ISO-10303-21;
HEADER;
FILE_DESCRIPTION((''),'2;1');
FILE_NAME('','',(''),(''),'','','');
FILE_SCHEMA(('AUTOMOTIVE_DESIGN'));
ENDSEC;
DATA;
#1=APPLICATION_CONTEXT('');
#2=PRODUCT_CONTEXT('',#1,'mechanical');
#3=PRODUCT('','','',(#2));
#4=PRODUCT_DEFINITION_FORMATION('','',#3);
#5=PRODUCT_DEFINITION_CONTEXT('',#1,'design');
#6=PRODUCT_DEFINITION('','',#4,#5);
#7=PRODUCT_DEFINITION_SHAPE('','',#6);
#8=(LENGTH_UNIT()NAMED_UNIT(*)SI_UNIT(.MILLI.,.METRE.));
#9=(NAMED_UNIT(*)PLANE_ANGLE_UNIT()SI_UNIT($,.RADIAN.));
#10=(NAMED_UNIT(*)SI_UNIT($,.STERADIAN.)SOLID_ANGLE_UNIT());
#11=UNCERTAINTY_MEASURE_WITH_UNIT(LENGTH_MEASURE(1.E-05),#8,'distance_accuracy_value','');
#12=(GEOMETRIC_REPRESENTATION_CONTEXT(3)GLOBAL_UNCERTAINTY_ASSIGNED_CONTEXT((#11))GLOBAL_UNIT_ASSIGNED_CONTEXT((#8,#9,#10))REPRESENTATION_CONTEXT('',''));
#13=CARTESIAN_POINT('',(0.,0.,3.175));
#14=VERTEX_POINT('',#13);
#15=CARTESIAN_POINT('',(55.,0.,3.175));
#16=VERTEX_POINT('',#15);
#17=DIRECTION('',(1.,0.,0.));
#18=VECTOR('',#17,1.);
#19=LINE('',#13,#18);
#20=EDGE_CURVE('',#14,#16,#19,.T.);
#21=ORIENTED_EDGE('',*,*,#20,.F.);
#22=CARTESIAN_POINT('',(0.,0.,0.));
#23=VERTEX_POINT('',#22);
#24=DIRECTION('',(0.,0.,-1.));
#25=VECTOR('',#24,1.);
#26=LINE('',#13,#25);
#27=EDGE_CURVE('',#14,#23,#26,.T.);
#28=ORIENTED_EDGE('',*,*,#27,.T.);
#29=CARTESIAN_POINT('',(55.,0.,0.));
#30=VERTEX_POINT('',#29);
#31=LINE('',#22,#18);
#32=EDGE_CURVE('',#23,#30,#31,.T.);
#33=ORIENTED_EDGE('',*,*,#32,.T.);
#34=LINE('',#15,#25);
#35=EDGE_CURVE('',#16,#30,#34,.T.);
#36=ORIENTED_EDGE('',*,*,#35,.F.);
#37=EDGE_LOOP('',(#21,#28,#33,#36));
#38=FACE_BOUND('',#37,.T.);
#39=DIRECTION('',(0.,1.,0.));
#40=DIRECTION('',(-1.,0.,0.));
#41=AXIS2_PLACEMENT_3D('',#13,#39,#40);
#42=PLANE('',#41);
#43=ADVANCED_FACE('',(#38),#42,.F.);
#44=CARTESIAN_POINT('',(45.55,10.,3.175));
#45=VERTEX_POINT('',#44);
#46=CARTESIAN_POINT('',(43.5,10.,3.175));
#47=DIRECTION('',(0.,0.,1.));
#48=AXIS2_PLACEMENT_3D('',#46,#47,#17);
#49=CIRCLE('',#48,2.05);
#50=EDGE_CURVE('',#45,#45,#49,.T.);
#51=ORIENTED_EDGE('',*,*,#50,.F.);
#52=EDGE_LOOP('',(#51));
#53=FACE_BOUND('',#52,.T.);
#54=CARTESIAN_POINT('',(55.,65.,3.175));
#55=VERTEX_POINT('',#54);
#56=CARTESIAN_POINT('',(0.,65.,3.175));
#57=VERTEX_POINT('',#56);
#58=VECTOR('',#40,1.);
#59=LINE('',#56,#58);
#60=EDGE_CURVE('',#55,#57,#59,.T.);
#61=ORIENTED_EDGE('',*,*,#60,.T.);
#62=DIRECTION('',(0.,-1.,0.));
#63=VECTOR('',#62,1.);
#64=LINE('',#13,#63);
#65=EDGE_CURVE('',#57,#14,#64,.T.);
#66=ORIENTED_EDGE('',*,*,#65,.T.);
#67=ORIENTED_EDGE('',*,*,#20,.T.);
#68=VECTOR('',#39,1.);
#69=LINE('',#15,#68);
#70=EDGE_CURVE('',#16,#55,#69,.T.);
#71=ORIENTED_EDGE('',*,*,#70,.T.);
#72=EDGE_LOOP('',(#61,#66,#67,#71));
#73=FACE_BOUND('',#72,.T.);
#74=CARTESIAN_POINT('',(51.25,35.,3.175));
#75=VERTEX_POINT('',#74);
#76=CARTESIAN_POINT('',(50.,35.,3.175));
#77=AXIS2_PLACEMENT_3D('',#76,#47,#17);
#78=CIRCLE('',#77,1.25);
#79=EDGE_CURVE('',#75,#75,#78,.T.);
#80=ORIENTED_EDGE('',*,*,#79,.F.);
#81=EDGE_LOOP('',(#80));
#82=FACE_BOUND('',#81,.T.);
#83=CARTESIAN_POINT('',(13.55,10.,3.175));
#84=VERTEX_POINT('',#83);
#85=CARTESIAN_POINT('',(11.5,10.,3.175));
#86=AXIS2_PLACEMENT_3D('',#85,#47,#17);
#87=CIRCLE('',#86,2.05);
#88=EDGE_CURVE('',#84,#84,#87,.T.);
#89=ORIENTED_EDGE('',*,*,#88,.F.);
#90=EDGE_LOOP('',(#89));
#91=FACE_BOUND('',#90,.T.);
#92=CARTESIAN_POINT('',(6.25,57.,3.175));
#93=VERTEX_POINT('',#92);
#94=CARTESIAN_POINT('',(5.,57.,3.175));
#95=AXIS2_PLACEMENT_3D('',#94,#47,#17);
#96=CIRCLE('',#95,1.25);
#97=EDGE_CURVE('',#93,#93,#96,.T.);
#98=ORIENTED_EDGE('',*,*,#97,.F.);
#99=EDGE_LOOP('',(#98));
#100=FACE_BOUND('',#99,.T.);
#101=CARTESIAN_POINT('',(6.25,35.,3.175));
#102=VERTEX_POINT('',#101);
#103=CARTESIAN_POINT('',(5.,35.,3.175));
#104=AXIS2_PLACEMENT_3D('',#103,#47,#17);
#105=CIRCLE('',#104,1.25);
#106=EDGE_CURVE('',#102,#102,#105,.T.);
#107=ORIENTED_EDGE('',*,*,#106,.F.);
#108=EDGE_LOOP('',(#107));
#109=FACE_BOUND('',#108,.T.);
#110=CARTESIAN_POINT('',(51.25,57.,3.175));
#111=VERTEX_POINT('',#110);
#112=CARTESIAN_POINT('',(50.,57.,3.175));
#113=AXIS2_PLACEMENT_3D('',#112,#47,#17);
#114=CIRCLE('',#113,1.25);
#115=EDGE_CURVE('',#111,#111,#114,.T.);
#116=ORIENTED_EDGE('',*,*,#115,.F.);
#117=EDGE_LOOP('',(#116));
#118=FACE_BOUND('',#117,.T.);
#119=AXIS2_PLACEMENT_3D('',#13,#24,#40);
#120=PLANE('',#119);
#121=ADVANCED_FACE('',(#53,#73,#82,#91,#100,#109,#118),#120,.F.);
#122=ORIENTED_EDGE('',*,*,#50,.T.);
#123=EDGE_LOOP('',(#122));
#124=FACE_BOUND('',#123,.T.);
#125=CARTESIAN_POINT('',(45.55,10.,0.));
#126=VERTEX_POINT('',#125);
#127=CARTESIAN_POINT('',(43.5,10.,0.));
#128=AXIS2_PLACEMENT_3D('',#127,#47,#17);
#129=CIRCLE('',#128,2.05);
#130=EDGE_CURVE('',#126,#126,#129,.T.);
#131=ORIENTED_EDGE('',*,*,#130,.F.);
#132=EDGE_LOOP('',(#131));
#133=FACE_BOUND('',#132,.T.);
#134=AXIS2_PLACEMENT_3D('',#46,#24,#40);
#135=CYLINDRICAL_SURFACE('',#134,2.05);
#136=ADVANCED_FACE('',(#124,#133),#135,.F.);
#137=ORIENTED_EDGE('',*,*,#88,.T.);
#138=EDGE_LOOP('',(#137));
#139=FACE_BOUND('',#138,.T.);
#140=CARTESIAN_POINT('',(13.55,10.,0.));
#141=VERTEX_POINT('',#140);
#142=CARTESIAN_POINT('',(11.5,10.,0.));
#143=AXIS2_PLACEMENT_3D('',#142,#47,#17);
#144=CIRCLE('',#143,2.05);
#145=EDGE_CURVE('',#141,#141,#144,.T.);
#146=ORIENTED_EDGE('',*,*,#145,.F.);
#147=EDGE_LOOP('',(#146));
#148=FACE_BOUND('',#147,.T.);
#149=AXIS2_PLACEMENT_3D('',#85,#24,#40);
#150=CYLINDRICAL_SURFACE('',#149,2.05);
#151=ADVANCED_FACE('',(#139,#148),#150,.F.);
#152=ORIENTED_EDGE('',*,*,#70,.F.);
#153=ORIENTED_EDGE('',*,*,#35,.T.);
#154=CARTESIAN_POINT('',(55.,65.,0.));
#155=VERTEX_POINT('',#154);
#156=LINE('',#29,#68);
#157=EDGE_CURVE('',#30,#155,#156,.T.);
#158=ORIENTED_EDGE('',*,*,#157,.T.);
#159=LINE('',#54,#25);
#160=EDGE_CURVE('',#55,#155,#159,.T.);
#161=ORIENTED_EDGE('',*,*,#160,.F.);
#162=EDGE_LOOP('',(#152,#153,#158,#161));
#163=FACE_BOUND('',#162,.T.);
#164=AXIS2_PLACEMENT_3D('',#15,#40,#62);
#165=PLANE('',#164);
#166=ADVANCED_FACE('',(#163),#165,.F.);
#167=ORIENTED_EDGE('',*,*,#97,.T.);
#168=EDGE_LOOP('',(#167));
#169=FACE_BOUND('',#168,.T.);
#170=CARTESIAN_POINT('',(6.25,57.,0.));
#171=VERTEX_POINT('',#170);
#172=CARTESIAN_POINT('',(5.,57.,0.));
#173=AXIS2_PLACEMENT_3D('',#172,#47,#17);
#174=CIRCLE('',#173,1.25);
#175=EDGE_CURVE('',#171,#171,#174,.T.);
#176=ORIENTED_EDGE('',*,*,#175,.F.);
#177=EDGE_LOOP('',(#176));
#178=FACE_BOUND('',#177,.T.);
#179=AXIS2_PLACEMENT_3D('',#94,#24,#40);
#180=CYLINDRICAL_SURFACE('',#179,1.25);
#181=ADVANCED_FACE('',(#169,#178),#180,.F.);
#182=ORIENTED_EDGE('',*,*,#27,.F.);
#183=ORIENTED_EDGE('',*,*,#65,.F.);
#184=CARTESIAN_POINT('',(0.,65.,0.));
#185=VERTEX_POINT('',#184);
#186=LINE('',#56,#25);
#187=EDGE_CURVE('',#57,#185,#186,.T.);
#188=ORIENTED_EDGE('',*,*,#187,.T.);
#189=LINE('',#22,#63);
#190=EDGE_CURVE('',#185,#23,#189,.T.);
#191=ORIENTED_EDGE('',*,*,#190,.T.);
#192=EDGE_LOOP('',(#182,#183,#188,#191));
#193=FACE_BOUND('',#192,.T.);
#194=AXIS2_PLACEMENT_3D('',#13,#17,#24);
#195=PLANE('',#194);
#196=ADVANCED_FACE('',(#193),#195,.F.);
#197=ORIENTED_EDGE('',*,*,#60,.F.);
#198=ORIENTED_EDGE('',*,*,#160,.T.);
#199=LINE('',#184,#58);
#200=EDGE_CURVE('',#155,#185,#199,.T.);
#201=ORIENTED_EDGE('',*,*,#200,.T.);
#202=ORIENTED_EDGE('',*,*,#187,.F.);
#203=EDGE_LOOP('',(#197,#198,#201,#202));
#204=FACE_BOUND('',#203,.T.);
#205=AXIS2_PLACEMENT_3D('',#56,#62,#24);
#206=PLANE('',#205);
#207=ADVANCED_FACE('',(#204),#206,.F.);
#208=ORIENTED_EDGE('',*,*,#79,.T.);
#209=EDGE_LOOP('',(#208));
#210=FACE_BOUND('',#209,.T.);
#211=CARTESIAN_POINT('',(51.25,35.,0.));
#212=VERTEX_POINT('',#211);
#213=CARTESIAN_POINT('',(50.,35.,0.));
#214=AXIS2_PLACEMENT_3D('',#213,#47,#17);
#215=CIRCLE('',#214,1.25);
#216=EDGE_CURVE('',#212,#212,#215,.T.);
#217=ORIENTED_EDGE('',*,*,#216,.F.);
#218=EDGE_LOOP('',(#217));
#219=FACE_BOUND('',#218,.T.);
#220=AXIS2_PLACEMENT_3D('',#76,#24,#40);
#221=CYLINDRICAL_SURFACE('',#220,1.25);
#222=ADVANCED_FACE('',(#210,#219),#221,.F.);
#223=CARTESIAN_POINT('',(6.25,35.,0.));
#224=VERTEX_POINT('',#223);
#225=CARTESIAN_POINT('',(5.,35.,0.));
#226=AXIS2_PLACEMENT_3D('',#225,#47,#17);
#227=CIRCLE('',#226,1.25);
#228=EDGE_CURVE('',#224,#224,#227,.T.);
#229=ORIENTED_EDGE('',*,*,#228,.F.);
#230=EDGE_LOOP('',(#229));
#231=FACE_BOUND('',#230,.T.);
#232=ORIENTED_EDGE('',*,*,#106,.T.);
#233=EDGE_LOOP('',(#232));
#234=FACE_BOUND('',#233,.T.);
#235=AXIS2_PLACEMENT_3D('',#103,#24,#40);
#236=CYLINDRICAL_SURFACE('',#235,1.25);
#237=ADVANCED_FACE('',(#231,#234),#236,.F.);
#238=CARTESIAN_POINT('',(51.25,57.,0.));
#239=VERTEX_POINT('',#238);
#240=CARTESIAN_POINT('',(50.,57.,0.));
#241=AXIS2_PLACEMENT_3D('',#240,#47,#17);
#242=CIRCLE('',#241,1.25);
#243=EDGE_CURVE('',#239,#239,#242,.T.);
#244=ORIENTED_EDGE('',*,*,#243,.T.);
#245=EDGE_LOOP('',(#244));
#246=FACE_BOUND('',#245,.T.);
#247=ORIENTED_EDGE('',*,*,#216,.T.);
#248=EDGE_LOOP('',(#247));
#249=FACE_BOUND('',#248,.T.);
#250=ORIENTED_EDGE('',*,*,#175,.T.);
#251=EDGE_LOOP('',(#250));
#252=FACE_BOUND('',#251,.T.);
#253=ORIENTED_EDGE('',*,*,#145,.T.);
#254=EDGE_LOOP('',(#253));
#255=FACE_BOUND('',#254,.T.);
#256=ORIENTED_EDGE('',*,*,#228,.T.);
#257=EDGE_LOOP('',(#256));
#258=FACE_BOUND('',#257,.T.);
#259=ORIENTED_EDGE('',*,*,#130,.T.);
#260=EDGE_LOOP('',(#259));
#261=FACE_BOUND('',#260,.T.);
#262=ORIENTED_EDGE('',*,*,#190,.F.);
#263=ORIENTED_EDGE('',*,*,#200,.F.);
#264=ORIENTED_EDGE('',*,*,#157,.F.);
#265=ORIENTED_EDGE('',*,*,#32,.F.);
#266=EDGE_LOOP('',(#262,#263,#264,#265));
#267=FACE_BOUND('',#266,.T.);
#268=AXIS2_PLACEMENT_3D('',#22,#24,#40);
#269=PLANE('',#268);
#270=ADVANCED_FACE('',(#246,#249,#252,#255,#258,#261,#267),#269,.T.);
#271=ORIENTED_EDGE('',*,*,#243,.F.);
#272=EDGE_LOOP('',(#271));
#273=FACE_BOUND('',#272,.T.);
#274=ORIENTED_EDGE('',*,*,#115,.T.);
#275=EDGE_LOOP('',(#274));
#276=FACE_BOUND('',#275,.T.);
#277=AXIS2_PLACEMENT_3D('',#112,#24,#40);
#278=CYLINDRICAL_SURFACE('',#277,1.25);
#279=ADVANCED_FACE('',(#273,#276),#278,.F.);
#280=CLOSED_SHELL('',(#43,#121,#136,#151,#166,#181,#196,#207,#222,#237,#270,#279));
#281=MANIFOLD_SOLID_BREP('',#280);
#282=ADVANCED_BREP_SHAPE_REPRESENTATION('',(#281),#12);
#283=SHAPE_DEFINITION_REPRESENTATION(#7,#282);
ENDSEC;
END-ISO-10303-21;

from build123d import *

# Parameters (mm, degrees)
SKETCH1_W           = 55
SKETCH1_H           = 65
SKETCH1_R           = 1.25
SKETCH1_R_2         = 2.05
BOSS_EXTRUDE1_DEPTH = 3.175


with BuildPart() as part:
    # Sketch1 → Boss-Extrude1 (new body)
    with BuildSketch(Plane.XY):
        with Locations((27.5, 32.5)):
            Rectangle(SKETCH1_W, SKETCH1_H)
        with Locations((5, 57)):
            Circle(SKETCH1_R, mode=Mode.SUBTRACT)
        with Locations((50, 57)):
            Circle(SKETCH1_R, mode=Mode.SUBTRACT)
        with Locations((50, 35)):
            Circle(SKETCH1_R, mode=Mode.SUBTRACT)
        with Locations((5, 35)):
            Circle(SKETCH1_R, mode=Mode.SUBTRACT)
        with Locations((11.5, 10)):
            Circle(SKETCH1_R_2, mode=Mode.SUBTRACT)
        with Locations((43.5, 10)):
            Circle(SKETCH1_R_2, mode=Mode.SUBTRACT)
    extrude(amount=BOSS_EXTRUDE1_DEPTH)


solid = part.part
